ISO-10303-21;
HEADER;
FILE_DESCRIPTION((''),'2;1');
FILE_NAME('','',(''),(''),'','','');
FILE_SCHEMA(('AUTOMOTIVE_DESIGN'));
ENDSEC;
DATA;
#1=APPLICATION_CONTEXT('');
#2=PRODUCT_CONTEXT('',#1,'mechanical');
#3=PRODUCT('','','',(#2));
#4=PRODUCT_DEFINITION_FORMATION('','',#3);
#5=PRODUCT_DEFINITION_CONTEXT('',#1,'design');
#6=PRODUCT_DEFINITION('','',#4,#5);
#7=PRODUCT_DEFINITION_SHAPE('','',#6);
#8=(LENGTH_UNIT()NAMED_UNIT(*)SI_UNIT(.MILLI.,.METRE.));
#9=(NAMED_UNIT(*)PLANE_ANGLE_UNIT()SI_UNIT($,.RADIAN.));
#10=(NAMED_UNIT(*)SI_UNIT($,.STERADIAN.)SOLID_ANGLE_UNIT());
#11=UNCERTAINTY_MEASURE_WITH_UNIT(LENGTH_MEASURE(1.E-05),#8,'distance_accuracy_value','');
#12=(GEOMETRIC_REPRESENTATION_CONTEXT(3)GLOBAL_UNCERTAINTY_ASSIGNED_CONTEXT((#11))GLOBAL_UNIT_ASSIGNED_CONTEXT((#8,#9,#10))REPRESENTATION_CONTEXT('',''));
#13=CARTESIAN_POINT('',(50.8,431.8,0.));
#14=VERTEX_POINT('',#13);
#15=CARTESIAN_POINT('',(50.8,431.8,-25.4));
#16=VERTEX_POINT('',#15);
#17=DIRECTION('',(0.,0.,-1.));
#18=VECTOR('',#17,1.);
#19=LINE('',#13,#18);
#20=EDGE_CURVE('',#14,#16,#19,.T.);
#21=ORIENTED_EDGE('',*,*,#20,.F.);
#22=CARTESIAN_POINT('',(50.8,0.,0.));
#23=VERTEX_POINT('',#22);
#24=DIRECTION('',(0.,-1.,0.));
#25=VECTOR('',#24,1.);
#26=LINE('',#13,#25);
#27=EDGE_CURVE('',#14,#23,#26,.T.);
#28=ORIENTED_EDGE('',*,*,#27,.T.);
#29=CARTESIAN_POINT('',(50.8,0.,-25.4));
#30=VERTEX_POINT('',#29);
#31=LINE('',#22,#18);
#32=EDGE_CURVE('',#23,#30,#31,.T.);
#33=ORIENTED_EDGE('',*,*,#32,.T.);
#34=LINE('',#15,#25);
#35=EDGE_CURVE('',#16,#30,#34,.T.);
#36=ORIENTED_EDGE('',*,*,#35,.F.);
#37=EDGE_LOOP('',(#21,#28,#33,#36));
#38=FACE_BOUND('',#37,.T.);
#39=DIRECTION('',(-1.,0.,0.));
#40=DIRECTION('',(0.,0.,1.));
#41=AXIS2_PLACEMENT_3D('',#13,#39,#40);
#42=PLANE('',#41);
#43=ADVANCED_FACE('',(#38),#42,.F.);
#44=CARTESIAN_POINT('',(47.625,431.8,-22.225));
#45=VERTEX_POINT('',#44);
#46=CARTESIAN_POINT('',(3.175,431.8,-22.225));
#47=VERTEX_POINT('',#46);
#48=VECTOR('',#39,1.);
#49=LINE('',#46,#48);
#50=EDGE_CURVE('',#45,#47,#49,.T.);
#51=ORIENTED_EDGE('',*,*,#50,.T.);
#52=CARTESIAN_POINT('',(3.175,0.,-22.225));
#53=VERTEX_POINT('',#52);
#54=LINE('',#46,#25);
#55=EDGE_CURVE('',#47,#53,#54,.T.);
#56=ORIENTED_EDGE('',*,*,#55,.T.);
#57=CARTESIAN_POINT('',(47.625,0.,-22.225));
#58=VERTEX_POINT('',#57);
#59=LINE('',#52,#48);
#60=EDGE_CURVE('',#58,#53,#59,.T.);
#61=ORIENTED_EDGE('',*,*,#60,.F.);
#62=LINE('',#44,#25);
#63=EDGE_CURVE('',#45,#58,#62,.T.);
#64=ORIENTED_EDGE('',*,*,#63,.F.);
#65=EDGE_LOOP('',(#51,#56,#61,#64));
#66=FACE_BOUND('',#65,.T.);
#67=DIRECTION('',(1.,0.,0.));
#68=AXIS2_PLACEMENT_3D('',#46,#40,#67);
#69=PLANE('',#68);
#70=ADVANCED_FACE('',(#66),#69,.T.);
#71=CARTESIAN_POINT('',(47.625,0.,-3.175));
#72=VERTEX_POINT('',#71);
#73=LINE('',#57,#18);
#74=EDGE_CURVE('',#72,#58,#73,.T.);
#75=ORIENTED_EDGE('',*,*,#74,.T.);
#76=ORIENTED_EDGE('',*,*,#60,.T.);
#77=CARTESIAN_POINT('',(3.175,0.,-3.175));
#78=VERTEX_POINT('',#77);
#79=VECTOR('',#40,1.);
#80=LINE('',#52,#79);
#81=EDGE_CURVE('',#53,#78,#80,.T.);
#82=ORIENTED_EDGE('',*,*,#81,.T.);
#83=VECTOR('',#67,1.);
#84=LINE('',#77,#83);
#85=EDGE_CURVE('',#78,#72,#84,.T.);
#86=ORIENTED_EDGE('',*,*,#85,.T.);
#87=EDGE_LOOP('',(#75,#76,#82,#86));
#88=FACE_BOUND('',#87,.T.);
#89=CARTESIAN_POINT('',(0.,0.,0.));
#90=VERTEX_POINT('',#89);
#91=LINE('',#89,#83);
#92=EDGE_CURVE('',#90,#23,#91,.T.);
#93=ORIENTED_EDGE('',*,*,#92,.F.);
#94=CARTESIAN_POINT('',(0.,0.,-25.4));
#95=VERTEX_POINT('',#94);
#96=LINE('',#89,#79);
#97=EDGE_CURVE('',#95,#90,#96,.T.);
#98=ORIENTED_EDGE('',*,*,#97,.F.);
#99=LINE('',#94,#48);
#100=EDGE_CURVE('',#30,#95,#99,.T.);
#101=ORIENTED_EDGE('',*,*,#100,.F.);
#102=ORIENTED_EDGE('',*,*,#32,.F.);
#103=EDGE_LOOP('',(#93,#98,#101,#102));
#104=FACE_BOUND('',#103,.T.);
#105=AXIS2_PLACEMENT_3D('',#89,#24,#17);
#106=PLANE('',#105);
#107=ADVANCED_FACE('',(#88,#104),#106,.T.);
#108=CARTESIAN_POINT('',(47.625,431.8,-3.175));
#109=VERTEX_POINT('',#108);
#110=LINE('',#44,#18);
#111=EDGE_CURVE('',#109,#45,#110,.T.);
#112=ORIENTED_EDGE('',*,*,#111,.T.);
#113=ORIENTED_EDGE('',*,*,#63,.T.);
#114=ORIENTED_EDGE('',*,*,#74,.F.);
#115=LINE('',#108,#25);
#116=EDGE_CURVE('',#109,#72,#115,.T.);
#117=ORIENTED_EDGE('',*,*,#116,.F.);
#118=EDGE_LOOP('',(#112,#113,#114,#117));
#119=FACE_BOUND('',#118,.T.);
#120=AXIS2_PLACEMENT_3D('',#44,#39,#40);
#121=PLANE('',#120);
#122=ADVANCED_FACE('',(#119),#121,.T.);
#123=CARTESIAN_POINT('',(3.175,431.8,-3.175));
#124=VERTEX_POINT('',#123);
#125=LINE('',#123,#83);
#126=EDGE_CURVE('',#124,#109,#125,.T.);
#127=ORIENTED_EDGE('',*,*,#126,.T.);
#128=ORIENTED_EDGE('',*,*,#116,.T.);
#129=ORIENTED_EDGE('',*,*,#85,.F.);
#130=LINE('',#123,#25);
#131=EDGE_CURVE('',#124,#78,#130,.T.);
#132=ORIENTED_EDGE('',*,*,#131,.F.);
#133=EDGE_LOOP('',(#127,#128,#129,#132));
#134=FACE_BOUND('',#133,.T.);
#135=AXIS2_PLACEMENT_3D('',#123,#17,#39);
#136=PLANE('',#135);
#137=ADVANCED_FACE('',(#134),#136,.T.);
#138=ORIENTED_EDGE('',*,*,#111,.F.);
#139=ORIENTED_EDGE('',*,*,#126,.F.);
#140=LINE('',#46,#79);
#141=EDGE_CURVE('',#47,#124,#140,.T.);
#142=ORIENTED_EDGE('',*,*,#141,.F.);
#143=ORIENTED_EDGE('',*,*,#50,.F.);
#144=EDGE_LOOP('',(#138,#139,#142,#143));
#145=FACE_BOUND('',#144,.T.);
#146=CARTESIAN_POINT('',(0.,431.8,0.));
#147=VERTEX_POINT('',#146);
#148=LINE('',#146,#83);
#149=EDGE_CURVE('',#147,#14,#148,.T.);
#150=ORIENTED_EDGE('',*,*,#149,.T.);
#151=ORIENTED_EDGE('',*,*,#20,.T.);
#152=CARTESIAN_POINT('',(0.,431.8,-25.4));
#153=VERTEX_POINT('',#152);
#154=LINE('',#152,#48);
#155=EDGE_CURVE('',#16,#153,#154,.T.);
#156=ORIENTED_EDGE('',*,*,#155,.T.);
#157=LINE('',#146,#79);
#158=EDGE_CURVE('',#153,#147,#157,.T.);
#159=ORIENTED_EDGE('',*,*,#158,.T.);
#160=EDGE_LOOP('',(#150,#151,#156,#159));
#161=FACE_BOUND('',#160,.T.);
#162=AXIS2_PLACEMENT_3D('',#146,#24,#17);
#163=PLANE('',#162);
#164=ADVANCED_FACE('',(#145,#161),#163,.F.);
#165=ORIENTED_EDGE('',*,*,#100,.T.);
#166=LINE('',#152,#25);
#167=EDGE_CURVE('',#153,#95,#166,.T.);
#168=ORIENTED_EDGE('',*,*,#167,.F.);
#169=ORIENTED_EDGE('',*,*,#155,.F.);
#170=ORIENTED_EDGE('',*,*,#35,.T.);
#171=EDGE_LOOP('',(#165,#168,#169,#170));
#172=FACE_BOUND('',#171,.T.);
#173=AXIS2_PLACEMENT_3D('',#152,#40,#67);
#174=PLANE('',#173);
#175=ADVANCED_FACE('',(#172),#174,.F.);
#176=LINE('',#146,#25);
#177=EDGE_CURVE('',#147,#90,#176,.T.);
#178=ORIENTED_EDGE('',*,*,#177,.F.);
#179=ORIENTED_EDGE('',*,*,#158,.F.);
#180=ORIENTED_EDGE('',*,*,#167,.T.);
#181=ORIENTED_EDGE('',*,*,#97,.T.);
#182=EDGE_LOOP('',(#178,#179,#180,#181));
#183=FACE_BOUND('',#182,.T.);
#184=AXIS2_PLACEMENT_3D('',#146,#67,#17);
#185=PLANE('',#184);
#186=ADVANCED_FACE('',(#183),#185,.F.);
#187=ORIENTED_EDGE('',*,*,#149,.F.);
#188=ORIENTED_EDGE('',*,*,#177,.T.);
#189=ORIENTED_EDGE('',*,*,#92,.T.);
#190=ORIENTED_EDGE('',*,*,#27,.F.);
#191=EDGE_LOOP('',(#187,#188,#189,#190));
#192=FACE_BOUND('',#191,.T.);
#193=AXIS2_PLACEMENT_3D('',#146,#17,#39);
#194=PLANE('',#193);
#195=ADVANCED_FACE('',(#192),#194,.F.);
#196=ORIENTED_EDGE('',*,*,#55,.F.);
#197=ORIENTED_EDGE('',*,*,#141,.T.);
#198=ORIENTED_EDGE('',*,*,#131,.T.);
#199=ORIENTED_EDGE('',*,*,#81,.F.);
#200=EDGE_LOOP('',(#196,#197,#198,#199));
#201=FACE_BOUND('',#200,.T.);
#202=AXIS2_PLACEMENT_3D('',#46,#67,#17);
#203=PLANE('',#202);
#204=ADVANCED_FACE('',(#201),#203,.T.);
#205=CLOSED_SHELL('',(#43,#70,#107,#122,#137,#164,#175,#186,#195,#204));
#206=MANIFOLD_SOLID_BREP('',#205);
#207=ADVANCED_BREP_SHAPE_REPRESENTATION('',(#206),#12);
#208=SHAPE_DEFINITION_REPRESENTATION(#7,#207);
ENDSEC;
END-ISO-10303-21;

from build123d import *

# Parameters (mm, degrees)
SKETCH1_W           = 50.8
SKETCH1_H           = 25.4
SKETCH1_W_2         = 44.45
SKETCH1_H_2         = 19.05
BOSS_EXTRUDE1_DEPTH = 431.8


with BuildPart() as part:
    # Sketch1 → Boss-Extrude1 (new body)
    with BuildSketch(Plane(origin=(0, 0, 0), x_dir=(1, 0, 0), z_dir=(0, 1, 0))):
        with Locations((25.4, 12.7)):
            Rectangle(SKETCH1_W, SKETCH1_H)
        with Locations((25.4, 12.7)):
            Rectangle(SKETCH1_W_2, SKETCH1_H_2, mode=Mode.SUBTRACT)
    extrude(amount=BOSS_EXTRUDE1_DEPTH)


solid = part.part
